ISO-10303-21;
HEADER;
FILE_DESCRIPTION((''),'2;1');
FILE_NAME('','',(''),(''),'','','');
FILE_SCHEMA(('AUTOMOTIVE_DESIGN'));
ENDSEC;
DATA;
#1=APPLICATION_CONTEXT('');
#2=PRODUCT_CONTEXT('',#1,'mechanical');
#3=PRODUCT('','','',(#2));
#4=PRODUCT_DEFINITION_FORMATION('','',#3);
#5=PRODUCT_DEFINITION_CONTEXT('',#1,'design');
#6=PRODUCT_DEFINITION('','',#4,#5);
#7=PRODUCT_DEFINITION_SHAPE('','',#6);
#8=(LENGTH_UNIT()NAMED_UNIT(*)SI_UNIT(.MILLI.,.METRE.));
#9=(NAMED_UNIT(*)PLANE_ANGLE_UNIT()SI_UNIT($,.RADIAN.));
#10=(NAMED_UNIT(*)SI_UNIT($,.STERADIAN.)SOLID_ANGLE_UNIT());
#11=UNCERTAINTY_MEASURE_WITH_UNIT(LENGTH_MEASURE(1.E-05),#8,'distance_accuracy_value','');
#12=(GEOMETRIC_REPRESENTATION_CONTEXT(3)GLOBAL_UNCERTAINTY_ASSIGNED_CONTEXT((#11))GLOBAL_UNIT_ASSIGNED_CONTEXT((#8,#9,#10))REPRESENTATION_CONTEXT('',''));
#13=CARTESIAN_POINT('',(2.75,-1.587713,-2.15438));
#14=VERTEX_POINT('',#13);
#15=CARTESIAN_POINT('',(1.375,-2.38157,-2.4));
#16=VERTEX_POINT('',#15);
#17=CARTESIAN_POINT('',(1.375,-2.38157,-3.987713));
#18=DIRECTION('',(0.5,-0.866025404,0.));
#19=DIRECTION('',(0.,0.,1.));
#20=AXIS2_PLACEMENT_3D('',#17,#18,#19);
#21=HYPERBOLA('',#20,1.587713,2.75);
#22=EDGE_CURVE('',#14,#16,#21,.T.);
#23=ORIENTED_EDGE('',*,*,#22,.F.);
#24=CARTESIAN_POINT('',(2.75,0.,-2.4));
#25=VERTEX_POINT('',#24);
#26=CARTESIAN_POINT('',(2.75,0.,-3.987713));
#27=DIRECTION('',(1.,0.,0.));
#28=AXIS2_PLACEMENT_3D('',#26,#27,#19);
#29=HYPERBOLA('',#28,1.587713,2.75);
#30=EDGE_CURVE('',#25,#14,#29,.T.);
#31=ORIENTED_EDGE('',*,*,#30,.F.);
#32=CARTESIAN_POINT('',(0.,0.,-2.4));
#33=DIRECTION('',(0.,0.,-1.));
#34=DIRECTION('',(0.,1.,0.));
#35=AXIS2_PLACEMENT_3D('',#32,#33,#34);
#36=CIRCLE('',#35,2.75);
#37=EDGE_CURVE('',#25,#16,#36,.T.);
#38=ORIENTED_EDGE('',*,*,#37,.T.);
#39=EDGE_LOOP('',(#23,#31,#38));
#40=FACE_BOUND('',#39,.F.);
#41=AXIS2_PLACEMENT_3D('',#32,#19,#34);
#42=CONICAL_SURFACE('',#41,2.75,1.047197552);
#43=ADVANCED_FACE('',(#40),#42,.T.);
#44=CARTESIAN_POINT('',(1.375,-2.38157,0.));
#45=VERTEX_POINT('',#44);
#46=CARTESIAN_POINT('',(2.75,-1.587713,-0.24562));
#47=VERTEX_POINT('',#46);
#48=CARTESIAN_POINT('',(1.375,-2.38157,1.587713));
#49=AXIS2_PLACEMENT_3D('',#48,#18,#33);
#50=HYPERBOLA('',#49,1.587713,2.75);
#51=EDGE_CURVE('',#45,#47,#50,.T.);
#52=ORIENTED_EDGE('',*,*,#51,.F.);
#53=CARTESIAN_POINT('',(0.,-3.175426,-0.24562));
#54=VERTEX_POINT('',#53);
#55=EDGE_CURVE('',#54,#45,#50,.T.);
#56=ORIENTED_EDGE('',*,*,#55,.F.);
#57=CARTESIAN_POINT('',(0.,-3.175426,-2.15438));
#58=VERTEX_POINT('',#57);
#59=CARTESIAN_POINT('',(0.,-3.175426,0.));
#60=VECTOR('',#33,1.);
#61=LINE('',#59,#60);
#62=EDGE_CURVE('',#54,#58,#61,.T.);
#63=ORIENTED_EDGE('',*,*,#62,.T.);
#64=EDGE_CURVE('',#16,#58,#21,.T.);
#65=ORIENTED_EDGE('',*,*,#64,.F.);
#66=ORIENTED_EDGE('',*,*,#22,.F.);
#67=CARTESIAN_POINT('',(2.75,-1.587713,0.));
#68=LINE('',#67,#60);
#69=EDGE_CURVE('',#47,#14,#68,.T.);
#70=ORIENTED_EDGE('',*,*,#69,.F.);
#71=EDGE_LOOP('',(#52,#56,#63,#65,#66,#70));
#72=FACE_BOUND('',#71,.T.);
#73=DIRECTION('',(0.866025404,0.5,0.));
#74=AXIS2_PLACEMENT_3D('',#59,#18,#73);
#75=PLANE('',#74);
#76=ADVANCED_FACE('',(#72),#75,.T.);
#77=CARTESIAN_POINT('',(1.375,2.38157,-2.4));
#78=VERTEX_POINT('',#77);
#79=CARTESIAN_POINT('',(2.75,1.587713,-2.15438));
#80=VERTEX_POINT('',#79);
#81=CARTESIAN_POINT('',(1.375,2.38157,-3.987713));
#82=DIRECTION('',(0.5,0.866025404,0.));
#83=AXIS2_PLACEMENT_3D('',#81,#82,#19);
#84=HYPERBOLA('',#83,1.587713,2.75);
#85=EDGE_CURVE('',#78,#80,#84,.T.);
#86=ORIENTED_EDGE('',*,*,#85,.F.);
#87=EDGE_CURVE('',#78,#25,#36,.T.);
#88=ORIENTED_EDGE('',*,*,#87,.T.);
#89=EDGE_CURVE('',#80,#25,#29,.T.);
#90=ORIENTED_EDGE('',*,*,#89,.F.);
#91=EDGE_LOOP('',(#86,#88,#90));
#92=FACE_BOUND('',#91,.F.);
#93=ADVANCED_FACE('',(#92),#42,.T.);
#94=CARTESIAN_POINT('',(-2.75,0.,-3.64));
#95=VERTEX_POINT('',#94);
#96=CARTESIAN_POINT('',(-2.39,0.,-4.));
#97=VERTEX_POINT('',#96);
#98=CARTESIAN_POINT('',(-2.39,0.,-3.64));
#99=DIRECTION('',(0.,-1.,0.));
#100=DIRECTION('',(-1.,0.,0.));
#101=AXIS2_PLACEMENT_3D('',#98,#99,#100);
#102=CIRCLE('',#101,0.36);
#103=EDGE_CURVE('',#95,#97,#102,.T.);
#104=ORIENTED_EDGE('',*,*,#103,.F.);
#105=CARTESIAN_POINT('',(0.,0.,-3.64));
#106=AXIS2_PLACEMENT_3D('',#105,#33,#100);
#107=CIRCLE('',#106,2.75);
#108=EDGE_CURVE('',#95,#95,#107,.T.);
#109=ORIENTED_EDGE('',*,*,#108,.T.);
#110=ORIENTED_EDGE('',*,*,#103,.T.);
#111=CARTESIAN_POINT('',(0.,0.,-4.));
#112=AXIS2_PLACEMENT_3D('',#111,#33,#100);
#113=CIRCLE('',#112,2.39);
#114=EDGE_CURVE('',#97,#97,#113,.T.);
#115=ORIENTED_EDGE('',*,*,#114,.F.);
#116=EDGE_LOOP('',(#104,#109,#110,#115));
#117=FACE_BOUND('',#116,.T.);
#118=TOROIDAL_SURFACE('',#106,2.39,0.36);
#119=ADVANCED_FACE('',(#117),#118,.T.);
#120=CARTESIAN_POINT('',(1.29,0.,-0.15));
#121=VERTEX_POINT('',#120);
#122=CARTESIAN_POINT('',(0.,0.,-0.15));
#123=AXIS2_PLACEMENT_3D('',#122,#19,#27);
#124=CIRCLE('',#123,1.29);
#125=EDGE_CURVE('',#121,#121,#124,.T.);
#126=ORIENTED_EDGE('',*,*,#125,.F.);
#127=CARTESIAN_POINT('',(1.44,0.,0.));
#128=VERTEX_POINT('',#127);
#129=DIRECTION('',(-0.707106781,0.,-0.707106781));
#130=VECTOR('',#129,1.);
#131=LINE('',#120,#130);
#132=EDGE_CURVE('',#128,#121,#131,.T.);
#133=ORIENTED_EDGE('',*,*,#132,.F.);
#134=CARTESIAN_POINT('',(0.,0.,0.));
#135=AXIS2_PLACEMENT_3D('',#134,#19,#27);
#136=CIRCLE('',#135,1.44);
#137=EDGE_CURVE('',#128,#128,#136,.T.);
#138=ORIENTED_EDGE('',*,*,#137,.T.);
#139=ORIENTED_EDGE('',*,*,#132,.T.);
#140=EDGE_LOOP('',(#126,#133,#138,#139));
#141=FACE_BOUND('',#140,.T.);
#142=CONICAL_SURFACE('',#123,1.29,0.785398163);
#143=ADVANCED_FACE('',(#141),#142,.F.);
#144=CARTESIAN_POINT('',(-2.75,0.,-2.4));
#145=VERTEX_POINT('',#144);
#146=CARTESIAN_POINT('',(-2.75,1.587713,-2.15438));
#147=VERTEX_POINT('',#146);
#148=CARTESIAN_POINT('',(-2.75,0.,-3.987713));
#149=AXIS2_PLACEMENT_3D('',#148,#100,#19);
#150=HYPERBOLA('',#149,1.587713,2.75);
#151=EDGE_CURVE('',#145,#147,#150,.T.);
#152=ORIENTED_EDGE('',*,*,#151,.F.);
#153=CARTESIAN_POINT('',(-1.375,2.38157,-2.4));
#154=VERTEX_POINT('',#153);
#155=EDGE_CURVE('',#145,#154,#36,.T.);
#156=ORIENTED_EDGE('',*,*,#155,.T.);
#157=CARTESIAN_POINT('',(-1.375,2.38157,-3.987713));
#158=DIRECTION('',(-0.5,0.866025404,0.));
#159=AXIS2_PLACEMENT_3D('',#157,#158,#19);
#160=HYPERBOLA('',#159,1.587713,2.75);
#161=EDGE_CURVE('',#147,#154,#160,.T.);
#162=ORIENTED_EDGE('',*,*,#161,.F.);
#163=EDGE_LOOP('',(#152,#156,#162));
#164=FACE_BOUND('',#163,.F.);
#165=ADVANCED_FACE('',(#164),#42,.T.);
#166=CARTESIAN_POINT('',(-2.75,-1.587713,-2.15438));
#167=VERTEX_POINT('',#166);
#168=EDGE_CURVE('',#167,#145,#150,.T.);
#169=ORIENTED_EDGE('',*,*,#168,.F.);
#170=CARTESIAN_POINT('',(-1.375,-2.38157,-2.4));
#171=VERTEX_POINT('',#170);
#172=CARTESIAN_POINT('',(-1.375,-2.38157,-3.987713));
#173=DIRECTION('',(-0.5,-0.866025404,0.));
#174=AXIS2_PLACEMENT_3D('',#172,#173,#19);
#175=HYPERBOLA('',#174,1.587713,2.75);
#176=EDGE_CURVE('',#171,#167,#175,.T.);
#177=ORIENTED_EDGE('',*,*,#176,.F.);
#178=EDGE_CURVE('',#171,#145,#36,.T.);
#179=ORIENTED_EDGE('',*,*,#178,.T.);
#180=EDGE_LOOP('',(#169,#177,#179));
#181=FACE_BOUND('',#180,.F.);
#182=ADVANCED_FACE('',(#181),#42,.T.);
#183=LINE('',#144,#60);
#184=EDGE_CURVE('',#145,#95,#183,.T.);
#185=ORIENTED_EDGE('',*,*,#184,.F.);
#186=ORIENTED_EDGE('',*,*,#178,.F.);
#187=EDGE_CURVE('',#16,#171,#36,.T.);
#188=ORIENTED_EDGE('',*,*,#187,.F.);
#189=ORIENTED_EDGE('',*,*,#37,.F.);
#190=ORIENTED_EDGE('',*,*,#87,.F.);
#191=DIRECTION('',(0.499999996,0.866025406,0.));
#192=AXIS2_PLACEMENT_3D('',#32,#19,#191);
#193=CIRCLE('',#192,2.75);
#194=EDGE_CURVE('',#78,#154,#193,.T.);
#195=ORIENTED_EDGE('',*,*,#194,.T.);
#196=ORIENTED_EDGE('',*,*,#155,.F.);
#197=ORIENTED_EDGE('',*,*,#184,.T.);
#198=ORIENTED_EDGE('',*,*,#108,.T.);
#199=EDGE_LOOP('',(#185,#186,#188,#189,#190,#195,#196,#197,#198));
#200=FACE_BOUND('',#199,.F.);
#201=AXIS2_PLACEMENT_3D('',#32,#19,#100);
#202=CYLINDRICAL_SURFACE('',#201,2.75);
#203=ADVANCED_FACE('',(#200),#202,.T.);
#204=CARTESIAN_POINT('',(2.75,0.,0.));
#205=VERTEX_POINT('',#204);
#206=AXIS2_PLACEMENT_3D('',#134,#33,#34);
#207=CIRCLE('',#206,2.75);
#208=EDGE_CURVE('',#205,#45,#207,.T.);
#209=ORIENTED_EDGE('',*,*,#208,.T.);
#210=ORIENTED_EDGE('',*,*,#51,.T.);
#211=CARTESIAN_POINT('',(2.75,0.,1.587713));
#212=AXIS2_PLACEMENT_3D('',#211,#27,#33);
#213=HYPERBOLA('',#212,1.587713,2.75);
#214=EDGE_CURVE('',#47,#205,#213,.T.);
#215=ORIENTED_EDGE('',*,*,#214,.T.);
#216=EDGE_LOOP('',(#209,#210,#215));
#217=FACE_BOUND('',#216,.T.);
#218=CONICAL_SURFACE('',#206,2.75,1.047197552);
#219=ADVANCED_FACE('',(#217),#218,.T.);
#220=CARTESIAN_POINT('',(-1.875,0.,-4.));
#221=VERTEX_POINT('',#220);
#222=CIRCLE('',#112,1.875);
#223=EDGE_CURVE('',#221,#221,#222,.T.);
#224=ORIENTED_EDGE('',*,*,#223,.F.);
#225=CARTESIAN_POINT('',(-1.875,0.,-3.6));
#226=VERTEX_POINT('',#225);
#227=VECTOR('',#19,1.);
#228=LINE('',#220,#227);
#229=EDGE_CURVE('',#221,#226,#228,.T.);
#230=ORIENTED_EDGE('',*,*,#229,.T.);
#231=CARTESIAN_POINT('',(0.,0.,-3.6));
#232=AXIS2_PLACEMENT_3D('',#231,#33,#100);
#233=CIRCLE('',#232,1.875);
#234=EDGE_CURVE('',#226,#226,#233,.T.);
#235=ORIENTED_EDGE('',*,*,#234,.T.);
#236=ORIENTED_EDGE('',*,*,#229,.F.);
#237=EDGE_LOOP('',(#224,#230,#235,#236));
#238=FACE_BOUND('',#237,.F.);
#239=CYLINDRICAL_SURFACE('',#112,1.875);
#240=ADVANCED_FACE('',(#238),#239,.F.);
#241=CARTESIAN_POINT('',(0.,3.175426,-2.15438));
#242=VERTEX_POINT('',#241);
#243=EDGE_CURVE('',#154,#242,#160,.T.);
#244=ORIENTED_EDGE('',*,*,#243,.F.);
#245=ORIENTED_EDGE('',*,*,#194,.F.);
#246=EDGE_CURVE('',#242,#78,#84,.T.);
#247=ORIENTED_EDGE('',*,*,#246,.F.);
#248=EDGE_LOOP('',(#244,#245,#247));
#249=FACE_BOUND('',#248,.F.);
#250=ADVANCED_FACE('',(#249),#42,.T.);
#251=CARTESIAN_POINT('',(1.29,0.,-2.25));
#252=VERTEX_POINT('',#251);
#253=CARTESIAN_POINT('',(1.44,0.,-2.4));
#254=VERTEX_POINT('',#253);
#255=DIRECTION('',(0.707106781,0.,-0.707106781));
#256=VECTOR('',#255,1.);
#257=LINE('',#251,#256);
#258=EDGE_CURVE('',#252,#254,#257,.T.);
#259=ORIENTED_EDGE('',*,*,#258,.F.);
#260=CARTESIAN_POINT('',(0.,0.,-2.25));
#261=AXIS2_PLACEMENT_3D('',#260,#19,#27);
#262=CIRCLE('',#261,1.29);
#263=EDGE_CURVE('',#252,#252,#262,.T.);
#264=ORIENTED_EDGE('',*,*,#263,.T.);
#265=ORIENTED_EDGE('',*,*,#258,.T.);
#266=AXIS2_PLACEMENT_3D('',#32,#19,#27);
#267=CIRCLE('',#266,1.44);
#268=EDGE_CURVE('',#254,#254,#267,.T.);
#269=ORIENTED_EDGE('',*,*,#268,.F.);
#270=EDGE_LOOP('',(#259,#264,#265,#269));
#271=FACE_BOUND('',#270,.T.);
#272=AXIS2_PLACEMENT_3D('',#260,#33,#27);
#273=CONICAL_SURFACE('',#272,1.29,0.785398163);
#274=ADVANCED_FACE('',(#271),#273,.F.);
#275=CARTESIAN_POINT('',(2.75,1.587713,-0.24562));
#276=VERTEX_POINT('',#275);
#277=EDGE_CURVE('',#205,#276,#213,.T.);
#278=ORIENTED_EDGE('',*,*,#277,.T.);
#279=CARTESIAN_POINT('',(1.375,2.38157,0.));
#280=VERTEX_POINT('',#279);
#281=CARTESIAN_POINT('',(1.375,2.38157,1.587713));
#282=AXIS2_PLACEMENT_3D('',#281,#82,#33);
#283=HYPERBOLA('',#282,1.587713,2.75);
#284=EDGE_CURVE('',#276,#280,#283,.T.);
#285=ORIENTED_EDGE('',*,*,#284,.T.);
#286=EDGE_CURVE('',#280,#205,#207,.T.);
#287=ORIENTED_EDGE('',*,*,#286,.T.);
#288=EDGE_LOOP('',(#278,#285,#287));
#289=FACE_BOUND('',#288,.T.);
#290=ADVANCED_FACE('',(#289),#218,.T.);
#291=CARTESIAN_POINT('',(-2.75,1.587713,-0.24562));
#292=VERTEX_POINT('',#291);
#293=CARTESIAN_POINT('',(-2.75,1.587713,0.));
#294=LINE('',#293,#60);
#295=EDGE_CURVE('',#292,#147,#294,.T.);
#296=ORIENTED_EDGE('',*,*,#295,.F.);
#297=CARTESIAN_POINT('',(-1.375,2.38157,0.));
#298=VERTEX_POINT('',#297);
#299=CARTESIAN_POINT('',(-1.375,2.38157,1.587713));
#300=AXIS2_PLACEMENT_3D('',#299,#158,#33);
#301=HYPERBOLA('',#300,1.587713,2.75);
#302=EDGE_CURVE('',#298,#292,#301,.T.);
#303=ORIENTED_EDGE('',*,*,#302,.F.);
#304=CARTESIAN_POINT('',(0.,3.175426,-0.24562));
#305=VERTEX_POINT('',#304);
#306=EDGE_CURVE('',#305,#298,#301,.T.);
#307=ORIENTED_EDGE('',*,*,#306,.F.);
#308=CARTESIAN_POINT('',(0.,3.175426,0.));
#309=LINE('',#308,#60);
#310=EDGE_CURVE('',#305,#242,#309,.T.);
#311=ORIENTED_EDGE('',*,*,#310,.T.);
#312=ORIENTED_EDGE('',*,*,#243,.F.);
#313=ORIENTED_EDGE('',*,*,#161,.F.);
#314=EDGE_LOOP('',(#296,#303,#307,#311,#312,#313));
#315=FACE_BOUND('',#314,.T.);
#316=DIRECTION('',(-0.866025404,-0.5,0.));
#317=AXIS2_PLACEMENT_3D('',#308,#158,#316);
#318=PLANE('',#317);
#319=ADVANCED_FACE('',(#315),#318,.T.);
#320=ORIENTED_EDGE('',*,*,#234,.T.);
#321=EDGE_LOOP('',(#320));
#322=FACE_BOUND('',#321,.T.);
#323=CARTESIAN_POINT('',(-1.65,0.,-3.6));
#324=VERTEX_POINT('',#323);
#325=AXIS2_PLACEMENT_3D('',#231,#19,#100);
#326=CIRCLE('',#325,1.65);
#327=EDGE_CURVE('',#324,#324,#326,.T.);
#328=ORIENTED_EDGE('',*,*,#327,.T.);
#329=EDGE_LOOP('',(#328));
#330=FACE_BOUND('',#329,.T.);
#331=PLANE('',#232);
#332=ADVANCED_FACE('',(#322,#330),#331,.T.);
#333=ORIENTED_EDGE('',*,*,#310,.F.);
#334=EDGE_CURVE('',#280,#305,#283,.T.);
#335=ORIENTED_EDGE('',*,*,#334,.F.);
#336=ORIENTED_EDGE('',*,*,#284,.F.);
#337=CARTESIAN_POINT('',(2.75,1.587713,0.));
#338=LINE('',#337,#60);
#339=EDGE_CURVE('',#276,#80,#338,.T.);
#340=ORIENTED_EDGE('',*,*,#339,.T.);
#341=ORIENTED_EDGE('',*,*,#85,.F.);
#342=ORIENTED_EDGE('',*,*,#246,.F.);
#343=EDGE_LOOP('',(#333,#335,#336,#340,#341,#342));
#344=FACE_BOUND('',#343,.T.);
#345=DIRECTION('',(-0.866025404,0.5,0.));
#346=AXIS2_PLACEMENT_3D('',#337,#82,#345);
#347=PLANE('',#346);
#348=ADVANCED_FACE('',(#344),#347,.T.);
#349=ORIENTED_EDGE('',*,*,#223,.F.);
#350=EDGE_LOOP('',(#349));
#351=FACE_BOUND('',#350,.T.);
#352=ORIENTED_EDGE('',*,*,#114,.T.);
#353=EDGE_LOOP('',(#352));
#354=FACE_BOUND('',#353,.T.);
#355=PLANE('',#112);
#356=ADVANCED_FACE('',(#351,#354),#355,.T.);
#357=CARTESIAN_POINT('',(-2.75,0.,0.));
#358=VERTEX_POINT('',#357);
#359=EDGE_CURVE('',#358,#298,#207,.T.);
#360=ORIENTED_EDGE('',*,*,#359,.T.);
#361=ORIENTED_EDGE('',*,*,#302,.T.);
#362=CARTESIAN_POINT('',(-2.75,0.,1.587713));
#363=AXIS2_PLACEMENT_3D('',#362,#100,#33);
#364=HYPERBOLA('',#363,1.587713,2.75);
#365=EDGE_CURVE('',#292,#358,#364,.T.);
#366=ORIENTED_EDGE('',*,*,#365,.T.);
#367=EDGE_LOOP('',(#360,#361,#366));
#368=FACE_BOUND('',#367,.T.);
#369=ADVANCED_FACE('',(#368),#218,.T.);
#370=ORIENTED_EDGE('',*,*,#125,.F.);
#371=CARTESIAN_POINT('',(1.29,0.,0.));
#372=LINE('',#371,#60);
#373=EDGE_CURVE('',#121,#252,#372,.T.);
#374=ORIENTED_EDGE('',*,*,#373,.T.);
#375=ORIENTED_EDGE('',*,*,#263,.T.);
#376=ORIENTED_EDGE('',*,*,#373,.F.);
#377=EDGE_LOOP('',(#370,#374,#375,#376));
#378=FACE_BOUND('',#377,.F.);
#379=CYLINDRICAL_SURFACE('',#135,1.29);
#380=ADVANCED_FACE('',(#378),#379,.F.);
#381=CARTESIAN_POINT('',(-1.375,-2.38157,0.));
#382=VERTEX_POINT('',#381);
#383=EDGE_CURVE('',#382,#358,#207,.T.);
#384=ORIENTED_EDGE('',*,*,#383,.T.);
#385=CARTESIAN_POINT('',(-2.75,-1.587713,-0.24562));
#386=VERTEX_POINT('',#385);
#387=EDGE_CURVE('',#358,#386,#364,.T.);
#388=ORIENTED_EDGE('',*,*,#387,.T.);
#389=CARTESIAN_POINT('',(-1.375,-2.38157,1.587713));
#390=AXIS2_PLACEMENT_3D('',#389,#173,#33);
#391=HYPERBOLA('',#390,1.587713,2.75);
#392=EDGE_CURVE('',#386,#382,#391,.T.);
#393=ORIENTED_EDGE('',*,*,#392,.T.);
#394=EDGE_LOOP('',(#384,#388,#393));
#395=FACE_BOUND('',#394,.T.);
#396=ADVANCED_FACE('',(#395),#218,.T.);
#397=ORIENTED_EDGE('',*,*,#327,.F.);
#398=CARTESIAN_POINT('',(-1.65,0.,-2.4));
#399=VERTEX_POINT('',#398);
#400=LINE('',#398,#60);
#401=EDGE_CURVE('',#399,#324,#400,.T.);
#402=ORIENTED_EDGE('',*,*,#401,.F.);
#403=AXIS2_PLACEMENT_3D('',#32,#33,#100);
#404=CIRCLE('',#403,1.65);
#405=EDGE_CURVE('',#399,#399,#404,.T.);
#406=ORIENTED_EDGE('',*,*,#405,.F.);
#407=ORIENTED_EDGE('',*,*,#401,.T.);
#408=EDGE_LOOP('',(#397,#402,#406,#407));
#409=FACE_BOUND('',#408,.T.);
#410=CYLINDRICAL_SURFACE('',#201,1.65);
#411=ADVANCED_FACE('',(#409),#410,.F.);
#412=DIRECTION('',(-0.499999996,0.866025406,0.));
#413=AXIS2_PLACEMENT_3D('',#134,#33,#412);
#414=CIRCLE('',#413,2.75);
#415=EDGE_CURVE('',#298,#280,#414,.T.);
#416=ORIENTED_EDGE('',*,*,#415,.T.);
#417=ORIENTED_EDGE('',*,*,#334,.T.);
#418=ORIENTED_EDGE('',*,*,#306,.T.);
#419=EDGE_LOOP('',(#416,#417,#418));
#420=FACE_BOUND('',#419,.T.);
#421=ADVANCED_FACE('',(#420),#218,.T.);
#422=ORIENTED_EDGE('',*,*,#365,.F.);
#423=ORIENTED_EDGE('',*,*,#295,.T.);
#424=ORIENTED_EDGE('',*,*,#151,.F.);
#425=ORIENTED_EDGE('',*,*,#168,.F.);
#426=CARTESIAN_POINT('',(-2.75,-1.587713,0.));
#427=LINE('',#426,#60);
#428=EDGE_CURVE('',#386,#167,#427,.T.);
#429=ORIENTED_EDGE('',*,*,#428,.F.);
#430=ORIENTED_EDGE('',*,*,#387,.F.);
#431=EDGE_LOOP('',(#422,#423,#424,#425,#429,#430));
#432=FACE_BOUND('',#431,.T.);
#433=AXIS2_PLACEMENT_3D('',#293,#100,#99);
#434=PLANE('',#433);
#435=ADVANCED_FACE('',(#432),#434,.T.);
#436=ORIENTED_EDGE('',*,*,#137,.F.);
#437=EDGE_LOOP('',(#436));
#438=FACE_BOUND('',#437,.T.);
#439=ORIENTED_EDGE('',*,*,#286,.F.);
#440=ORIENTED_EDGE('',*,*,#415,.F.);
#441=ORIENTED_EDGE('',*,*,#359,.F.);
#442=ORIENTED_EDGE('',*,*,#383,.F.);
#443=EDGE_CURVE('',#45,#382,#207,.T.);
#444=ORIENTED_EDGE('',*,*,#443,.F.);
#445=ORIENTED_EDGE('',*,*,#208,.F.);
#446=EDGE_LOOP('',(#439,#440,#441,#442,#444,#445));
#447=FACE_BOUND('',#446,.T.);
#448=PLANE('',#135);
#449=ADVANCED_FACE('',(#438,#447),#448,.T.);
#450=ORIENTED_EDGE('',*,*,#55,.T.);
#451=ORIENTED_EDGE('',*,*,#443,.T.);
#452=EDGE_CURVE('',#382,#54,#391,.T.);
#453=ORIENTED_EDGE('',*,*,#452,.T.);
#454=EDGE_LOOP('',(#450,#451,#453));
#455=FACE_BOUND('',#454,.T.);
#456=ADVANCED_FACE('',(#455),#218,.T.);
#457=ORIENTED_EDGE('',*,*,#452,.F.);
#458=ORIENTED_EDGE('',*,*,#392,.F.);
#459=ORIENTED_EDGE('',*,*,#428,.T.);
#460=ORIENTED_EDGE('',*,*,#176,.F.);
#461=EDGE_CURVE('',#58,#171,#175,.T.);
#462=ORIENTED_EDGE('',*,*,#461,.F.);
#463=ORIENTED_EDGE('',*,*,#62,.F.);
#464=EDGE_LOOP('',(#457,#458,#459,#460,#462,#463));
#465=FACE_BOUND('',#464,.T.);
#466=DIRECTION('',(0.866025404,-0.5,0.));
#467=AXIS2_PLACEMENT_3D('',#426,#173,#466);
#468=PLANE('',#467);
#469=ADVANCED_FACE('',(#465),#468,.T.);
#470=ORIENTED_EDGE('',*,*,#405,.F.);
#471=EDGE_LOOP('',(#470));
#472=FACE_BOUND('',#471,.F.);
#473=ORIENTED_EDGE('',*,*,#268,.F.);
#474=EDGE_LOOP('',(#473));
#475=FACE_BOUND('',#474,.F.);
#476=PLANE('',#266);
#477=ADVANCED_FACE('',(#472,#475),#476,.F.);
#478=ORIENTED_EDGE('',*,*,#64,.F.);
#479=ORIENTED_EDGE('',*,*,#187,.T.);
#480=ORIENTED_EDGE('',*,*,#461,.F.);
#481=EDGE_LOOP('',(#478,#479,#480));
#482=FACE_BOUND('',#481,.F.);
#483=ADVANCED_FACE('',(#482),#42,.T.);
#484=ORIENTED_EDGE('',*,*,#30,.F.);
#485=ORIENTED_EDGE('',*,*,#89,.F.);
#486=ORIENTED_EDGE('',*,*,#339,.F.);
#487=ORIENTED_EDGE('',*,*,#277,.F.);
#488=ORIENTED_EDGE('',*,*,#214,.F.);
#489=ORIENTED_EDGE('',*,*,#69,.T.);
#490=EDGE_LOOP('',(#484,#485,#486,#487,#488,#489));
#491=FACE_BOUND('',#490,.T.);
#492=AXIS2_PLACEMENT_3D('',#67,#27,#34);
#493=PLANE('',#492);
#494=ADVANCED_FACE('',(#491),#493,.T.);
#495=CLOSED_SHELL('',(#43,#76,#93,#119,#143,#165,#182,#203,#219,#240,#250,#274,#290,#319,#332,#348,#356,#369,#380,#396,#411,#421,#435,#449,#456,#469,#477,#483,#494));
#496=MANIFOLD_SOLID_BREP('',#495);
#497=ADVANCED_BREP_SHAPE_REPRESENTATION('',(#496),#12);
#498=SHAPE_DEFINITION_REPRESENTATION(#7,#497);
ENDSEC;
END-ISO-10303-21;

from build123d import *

# Parameters (mm, degrees)
SKETCH_1_R          = 1.29
EXTRUDE_1_DEPTH     = 2.4
SKETCH_5_R          = 2.75
SKETCH_5_R_2        = 1.65
EXTRUDE_4_DEPTH     = 1.6
FILLET_2_R          = 0.36
SKETCH_6_R          = 1.875
CUT_EXTRUDE_1_DEPTH = 0.4
CHAMFER_2_SIZE      = 0.15


with BuildPart() as part:
    # 草图1 → 凸台-拉伸1 (new body)
    with BuildSketch(Plane.XY):
        Polygon((0, 3.175426481), (-2.75, 1.58771324), (-2.75, -1.58771324), (0, -3.175426481), (2.75, -1.58771324), (2.75, 1.58771324), align=None)
        Circle(SKETCH_1_R, mode=Mode.SUBTRACT)
    extrude(amount=-EXTRUDE_1_DEPTH)

    # 草图2 → 切除-旋转1 (revolve, cut)
    with BuildSketch(Plane(origin=(0, 0, 0), x_dir=(0, 0, -1), z_dir=(1, 0, 0))):
        Polygon((0, 2.75), (0.245620093, 3.175426481), (0, 3.175426481), align=None)
        Polygon((2.4, 2.75), (2.154379907, 3.175426481), (2.4, 3.175426481), align=None)
    revolve(axis=Axis((0, 0, 0), (0, 0, -1)), mode=Mode.SUBTRACT)

    # 草图5 → 凸台-拉伸4 (add)
    with BuildSketch(Plane(origin=(0, 0, -2.4), x_dir=(-1, 0, 0), z_dir=(0, 0, -1))):
        Circle(SKETCH_5_R)
        Circle(SKETCH_5_R_2, mode=Mode.SUBTRACT)
    extrude(amount=EXTRUDE_4_DEPTH)

    # 圆角2
    fillet_2_edges = [part.edges().sort_by_distance(p)[0] for p in [
        (2.75, 0, -4),
    ]]
    fillet(fillet_2_edges, radius=FILLET_2_R)

    # 草图6 → 切除-拉伸1 (cut)
    with BuildSketch(Plane(origin=(0, 0, -4), x_dir=(-1, 0, 0), z_dir=(0, 0, -1))):
        Circle(SKETCH_6_R)
    extrude(amount=-CUT_EXTRUDE_1_DEPTH, mode=Mode.SUBTRACT)

    # 倒角2
    chamfer_2_edges = [part.edges().sort_by_distance(p)[0] for p in [
        (-1.29, 0, -2.4),
        (-1.29, 0, 0),
    ]]
    chamfer(chamfer_2_edges, length=CHAMFER_2_SIZE)


solid = part.part
